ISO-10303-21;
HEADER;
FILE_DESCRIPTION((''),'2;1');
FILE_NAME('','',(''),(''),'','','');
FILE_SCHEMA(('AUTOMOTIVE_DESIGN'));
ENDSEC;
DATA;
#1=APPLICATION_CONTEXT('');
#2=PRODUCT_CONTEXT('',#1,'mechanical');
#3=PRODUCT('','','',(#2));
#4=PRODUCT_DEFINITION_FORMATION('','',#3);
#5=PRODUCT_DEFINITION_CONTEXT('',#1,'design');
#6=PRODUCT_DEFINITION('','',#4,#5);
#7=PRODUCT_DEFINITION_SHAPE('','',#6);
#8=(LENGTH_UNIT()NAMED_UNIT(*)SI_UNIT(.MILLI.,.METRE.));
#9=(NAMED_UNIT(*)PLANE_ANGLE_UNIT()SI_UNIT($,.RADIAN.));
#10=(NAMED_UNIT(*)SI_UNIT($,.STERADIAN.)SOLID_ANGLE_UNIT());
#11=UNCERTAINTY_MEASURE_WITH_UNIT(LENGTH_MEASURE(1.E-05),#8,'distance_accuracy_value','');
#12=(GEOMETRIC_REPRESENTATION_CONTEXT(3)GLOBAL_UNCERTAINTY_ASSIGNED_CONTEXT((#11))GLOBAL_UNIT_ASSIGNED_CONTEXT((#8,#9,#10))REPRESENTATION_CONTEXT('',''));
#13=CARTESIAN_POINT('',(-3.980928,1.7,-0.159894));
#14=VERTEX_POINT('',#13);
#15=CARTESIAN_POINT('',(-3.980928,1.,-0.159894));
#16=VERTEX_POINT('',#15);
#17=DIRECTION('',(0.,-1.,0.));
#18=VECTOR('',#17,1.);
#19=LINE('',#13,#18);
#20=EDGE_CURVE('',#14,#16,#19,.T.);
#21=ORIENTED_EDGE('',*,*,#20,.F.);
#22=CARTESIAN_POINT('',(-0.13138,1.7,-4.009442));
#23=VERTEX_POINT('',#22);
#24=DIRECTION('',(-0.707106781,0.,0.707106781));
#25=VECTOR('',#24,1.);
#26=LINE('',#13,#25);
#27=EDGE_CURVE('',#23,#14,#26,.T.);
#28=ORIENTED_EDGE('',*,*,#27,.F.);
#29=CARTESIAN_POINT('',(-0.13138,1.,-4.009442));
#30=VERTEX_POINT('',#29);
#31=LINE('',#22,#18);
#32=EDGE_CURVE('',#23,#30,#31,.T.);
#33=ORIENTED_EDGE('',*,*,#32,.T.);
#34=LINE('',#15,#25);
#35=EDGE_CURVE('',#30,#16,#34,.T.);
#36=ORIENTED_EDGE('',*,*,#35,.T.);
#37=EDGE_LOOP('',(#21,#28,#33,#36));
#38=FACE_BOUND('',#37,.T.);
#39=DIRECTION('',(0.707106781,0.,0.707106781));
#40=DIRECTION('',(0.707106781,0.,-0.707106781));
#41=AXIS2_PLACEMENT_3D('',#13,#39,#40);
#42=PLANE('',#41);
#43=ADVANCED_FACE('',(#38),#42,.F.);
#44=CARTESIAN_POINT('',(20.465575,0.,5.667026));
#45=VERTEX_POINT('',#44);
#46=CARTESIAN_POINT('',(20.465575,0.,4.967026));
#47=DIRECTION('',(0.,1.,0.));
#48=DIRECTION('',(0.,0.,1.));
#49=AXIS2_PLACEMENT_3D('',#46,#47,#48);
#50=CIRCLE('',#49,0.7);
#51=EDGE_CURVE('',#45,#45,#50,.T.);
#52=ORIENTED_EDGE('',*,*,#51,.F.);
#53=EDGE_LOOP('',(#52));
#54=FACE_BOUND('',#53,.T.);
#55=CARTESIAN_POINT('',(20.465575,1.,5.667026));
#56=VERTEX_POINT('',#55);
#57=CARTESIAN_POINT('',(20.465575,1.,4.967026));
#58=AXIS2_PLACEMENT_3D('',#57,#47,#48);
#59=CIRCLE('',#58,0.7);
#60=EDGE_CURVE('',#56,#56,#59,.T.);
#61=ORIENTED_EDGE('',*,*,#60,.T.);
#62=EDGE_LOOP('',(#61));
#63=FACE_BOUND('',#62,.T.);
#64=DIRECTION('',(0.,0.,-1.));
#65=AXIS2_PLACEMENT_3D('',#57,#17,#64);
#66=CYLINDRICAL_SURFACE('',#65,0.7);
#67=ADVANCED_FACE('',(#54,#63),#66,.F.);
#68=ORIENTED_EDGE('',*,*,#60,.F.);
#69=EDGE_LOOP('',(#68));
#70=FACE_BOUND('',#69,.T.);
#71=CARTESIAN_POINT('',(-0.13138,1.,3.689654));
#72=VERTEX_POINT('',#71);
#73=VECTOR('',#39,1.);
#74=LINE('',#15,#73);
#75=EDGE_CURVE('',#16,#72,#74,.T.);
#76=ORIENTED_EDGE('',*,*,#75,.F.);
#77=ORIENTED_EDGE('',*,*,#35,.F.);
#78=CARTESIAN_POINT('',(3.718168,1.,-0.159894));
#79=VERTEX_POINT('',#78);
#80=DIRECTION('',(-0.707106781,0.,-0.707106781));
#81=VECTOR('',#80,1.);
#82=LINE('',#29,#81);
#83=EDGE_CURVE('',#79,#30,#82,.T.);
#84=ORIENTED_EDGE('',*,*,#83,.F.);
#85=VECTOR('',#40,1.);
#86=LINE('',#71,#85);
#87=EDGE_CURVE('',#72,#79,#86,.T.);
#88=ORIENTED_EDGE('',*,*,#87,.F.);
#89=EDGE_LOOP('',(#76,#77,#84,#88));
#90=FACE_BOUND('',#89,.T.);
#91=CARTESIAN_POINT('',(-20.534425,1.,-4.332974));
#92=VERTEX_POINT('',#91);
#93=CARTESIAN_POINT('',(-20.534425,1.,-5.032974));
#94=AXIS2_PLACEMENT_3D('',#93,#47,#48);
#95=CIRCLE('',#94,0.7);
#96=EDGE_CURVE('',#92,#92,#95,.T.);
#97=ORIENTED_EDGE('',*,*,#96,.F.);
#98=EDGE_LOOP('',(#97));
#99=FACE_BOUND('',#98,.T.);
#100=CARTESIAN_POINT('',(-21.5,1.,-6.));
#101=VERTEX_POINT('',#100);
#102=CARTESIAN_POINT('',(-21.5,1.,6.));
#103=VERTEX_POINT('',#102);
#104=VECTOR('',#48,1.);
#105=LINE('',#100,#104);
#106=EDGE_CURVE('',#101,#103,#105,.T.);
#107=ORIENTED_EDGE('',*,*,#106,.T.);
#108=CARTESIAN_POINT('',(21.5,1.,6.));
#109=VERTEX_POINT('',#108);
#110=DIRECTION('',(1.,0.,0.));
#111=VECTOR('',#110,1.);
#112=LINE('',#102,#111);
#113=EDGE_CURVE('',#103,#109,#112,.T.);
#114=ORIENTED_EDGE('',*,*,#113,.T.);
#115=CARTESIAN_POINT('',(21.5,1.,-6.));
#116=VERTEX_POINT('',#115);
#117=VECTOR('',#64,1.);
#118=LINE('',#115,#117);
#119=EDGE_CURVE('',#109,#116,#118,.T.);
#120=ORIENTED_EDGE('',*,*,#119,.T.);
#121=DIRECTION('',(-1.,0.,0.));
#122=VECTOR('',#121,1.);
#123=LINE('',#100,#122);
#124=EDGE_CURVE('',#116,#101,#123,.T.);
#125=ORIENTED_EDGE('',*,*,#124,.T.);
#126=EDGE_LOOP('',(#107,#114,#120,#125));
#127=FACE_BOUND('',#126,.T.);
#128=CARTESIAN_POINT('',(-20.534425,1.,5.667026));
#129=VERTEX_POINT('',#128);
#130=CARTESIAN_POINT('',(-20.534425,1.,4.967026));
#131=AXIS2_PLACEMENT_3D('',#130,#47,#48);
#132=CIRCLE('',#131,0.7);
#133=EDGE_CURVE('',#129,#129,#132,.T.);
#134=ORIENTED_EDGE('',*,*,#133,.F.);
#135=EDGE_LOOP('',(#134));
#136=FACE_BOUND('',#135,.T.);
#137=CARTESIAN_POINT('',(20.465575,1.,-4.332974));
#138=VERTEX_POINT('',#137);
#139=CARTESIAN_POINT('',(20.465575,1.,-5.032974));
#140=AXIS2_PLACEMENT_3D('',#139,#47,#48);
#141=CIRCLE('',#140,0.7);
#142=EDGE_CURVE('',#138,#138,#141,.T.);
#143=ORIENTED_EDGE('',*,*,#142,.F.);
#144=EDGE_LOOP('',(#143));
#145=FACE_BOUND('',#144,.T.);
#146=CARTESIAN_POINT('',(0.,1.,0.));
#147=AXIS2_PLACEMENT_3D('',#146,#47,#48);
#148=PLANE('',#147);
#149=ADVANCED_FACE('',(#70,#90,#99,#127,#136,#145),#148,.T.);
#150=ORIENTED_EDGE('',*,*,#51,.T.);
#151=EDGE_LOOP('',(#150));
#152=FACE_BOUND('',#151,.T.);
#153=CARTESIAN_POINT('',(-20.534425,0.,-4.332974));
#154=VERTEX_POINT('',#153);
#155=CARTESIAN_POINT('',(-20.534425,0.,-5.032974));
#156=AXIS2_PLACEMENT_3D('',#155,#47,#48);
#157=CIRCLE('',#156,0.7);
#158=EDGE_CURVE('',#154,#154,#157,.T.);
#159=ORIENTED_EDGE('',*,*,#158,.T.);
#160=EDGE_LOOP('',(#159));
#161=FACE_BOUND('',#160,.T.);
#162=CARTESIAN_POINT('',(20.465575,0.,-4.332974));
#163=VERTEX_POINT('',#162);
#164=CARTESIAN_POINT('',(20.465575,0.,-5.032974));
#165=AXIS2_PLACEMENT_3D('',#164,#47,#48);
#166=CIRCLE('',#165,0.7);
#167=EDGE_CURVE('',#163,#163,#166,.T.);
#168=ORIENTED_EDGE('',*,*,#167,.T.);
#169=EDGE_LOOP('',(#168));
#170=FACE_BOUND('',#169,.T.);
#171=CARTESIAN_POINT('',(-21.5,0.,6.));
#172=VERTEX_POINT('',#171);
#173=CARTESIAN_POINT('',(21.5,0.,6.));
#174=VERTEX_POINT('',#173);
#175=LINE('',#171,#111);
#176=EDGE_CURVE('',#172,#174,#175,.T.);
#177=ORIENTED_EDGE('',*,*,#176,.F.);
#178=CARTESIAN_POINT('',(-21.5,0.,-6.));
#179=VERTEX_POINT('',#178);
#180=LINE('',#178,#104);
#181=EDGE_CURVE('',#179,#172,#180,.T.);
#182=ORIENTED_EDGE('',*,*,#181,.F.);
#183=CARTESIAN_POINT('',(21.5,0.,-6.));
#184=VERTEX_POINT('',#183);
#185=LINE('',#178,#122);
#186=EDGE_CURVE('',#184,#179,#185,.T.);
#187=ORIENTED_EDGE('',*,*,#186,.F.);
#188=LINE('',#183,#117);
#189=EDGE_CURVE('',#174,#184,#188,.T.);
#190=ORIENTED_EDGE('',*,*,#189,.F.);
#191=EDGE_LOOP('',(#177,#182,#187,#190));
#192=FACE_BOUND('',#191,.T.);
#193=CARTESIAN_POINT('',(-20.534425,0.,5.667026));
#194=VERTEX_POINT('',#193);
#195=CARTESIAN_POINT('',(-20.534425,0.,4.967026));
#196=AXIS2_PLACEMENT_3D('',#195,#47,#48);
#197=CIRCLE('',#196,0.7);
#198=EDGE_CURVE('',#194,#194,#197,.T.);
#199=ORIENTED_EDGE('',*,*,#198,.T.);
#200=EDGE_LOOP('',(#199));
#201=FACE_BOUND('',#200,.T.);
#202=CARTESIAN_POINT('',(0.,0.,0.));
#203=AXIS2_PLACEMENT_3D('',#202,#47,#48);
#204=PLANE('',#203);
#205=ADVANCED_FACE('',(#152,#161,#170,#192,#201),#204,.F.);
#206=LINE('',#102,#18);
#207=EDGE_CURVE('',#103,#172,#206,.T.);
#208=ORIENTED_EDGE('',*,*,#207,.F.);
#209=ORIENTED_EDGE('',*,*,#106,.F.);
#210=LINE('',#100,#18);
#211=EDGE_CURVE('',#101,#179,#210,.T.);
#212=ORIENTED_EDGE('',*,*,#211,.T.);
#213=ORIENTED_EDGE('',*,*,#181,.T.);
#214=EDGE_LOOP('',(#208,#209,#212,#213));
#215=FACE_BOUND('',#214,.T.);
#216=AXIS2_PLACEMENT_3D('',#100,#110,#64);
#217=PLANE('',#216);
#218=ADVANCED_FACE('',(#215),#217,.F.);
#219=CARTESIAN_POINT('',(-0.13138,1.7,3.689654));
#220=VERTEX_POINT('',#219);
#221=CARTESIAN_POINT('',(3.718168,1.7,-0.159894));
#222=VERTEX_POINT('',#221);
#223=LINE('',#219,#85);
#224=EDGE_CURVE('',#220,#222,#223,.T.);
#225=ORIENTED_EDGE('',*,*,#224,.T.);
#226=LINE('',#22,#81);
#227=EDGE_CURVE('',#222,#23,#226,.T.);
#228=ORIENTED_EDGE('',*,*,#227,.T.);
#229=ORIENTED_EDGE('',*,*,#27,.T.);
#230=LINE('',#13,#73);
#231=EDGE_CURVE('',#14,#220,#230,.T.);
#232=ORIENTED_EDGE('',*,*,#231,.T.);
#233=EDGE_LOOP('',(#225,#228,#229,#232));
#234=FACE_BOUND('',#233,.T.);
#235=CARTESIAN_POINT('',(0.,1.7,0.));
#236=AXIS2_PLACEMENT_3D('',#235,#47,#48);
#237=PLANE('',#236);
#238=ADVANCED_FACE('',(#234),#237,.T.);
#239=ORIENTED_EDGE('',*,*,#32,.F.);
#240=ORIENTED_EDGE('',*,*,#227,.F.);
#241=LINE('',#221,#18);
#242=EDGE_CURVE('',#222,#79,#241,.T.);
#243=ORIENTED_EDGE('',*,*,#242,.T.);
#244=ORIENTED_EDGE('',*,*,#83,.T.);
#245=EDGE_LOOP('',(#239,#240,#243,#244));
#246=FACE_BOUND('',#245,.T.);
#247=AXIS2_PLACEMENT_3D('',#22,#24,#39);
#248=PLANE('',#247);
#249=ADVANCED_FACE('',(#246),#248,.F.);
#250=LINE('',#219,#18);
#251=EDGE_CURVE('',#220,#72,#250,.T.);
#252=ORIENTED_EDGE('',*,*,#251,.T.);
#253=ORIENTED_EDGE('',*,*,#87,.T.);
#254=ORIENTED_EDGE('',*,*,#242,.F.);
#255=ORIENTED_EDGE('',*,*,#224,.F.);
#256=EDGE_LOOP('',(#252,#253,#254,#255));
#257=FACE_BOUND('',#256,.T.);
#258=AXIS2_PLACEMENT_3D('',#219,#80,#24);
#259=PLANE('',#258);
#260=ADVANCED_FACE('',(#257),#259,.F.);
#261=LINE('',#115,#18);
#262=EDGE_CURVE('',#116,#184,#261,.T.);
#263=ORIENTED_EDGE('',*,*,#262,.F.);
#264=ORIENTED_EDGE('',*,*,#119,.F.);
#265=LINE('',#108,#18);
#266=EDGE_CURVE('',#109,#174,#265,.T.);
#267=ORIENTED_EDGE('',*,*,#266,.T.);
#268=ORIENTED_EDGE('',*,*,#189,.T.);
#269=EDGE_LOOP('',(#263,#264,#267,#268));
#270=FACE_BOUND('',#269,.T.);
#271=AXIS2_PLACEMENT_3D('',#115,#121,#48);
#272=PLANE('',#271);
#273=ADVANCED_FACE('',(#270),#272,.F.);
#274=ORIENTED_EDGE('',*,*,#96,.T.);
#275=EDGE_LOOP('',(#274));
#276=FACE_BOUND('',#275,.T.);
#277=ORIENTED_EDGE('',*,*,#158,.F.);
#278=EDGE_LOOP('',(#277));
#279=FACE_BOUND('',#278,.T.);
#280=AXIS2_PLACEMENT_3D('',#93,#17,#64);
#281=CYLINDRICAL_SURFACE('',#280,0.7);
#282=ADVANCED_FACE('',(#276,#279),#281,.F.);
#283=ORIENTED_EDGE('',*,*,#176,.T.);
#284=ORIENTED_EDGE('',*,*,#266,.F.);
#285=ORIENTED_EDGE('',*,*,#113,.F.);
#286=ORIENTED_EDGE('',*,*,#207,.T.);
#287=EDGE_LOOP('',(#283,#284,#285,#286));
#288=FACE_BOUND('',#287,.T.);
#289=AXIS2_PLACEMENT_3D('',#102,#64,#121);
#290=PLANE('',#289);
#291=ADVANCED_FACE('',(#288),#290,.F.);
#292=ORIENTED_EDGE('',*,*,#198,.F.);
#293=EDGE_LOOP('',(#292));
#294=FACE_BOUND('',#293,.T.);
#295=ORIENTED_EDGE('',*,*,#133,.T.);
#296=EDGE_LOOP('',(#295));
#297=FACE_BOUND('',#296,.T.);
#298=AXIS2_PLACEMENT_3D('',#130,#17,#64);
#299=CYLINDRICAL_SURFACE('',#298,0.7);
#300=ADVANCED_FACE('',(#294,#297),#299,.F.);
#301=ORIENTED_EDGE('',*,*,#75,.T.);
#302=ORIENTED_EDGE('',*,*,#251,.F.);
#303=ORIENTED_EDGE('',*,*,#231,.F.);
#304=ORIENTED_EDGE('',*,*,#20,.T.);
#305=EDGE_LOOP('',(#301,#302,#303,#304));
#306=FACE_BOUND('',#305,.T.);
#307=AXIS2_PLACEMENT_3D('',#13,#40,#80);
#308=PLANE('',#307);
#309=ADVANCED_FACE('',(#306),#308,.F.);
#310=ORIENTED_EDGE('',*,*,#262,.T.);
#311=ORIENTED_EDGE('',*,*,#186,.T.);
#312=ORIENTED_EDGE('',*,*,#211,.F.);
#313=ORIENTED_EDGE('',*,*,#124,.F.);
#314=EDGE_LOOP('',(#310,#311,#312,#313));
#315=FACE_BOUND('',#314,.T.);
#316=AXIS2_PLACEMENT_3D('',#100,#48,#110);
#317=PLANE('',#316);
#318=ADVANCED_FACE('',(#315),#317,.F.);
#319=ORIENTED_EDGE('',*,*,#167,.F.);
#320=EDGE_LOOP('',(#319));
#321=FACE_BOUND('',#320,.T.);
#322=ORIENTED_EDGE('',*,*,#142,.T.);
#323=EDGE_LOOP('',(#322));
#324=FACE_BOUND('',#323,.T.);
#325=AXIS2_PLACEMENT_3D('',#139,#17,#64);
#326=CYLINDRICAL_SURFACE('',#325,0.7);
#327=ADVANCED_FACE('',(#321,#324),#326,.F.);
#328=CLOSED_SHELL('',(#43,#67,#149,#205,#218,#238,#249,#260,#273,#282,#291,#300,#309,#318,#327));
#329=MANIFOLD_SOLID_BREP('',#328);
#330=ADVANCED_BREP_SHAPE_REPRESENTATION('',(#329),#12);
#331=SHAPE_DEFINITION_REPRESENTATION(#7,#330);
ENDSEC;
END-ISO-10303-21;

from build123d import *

# Parameters (mm, degrees)
SKETCH1_W           = 43
SKETCH1_H           = 12
SKETCH1_R           = 0.7
BOSS_EXTRUDE1_DEPTH = 1
BOSS_EXTRUDE2_DEPTH = 0.7


with BuildPart() as part:
    # Sketch1 → Boss-Extrude1 (new body)
    with BuildSketch(Plane(origin=(0, 0, 0), x_dir=(1, 0, 0), z_dir=(0, 1, 0))):
        Rectangle(SKETCH1_W, SKETCH1_H)
        with Locations(Location((-20.534424833, -4.967025936, 0), (0, 0, 270))):
            Circle(SKETCH1_R, mode=Mode.SUBTRACT)
        with Locations(Location((20.465575167, -4.967025936, 0), (0, 0, 270))):
            Circle(SKETCH1_R, mode=Mode.SUBTRACT)
        with Locations(Location((20.465575167, 5.032974064, 0), (0, 0, 270))):
            Circle(SKETCH1_R, mode=Mode.SUBTRACT)
        with Locations(Location((-20.534424833, 5.032974064, 0), (0, 0, 270))):
            Circle(SKETCH1_R, mode=Mode.SUBTRACT)
    extrude(amount=BOSS_EXTRUDE1_DEPTH)

    # Sketch3 → Boss-Extrude2 (add)
    with BuildSketch(Plane(origin=(0, 1, 0), x_dir=(1, 0, 0), z_dir=(0, 1, 0))):
        Polygon((-3.980927617, 0.159893843), (-0.131379893, 4.009441567), (3.71816783, 0.159893843), (-0.131379893, -3.68965388), align=None)
    extrude(amount=BOSS_EXTRUDE2_DEPTH)


solid = part.part
